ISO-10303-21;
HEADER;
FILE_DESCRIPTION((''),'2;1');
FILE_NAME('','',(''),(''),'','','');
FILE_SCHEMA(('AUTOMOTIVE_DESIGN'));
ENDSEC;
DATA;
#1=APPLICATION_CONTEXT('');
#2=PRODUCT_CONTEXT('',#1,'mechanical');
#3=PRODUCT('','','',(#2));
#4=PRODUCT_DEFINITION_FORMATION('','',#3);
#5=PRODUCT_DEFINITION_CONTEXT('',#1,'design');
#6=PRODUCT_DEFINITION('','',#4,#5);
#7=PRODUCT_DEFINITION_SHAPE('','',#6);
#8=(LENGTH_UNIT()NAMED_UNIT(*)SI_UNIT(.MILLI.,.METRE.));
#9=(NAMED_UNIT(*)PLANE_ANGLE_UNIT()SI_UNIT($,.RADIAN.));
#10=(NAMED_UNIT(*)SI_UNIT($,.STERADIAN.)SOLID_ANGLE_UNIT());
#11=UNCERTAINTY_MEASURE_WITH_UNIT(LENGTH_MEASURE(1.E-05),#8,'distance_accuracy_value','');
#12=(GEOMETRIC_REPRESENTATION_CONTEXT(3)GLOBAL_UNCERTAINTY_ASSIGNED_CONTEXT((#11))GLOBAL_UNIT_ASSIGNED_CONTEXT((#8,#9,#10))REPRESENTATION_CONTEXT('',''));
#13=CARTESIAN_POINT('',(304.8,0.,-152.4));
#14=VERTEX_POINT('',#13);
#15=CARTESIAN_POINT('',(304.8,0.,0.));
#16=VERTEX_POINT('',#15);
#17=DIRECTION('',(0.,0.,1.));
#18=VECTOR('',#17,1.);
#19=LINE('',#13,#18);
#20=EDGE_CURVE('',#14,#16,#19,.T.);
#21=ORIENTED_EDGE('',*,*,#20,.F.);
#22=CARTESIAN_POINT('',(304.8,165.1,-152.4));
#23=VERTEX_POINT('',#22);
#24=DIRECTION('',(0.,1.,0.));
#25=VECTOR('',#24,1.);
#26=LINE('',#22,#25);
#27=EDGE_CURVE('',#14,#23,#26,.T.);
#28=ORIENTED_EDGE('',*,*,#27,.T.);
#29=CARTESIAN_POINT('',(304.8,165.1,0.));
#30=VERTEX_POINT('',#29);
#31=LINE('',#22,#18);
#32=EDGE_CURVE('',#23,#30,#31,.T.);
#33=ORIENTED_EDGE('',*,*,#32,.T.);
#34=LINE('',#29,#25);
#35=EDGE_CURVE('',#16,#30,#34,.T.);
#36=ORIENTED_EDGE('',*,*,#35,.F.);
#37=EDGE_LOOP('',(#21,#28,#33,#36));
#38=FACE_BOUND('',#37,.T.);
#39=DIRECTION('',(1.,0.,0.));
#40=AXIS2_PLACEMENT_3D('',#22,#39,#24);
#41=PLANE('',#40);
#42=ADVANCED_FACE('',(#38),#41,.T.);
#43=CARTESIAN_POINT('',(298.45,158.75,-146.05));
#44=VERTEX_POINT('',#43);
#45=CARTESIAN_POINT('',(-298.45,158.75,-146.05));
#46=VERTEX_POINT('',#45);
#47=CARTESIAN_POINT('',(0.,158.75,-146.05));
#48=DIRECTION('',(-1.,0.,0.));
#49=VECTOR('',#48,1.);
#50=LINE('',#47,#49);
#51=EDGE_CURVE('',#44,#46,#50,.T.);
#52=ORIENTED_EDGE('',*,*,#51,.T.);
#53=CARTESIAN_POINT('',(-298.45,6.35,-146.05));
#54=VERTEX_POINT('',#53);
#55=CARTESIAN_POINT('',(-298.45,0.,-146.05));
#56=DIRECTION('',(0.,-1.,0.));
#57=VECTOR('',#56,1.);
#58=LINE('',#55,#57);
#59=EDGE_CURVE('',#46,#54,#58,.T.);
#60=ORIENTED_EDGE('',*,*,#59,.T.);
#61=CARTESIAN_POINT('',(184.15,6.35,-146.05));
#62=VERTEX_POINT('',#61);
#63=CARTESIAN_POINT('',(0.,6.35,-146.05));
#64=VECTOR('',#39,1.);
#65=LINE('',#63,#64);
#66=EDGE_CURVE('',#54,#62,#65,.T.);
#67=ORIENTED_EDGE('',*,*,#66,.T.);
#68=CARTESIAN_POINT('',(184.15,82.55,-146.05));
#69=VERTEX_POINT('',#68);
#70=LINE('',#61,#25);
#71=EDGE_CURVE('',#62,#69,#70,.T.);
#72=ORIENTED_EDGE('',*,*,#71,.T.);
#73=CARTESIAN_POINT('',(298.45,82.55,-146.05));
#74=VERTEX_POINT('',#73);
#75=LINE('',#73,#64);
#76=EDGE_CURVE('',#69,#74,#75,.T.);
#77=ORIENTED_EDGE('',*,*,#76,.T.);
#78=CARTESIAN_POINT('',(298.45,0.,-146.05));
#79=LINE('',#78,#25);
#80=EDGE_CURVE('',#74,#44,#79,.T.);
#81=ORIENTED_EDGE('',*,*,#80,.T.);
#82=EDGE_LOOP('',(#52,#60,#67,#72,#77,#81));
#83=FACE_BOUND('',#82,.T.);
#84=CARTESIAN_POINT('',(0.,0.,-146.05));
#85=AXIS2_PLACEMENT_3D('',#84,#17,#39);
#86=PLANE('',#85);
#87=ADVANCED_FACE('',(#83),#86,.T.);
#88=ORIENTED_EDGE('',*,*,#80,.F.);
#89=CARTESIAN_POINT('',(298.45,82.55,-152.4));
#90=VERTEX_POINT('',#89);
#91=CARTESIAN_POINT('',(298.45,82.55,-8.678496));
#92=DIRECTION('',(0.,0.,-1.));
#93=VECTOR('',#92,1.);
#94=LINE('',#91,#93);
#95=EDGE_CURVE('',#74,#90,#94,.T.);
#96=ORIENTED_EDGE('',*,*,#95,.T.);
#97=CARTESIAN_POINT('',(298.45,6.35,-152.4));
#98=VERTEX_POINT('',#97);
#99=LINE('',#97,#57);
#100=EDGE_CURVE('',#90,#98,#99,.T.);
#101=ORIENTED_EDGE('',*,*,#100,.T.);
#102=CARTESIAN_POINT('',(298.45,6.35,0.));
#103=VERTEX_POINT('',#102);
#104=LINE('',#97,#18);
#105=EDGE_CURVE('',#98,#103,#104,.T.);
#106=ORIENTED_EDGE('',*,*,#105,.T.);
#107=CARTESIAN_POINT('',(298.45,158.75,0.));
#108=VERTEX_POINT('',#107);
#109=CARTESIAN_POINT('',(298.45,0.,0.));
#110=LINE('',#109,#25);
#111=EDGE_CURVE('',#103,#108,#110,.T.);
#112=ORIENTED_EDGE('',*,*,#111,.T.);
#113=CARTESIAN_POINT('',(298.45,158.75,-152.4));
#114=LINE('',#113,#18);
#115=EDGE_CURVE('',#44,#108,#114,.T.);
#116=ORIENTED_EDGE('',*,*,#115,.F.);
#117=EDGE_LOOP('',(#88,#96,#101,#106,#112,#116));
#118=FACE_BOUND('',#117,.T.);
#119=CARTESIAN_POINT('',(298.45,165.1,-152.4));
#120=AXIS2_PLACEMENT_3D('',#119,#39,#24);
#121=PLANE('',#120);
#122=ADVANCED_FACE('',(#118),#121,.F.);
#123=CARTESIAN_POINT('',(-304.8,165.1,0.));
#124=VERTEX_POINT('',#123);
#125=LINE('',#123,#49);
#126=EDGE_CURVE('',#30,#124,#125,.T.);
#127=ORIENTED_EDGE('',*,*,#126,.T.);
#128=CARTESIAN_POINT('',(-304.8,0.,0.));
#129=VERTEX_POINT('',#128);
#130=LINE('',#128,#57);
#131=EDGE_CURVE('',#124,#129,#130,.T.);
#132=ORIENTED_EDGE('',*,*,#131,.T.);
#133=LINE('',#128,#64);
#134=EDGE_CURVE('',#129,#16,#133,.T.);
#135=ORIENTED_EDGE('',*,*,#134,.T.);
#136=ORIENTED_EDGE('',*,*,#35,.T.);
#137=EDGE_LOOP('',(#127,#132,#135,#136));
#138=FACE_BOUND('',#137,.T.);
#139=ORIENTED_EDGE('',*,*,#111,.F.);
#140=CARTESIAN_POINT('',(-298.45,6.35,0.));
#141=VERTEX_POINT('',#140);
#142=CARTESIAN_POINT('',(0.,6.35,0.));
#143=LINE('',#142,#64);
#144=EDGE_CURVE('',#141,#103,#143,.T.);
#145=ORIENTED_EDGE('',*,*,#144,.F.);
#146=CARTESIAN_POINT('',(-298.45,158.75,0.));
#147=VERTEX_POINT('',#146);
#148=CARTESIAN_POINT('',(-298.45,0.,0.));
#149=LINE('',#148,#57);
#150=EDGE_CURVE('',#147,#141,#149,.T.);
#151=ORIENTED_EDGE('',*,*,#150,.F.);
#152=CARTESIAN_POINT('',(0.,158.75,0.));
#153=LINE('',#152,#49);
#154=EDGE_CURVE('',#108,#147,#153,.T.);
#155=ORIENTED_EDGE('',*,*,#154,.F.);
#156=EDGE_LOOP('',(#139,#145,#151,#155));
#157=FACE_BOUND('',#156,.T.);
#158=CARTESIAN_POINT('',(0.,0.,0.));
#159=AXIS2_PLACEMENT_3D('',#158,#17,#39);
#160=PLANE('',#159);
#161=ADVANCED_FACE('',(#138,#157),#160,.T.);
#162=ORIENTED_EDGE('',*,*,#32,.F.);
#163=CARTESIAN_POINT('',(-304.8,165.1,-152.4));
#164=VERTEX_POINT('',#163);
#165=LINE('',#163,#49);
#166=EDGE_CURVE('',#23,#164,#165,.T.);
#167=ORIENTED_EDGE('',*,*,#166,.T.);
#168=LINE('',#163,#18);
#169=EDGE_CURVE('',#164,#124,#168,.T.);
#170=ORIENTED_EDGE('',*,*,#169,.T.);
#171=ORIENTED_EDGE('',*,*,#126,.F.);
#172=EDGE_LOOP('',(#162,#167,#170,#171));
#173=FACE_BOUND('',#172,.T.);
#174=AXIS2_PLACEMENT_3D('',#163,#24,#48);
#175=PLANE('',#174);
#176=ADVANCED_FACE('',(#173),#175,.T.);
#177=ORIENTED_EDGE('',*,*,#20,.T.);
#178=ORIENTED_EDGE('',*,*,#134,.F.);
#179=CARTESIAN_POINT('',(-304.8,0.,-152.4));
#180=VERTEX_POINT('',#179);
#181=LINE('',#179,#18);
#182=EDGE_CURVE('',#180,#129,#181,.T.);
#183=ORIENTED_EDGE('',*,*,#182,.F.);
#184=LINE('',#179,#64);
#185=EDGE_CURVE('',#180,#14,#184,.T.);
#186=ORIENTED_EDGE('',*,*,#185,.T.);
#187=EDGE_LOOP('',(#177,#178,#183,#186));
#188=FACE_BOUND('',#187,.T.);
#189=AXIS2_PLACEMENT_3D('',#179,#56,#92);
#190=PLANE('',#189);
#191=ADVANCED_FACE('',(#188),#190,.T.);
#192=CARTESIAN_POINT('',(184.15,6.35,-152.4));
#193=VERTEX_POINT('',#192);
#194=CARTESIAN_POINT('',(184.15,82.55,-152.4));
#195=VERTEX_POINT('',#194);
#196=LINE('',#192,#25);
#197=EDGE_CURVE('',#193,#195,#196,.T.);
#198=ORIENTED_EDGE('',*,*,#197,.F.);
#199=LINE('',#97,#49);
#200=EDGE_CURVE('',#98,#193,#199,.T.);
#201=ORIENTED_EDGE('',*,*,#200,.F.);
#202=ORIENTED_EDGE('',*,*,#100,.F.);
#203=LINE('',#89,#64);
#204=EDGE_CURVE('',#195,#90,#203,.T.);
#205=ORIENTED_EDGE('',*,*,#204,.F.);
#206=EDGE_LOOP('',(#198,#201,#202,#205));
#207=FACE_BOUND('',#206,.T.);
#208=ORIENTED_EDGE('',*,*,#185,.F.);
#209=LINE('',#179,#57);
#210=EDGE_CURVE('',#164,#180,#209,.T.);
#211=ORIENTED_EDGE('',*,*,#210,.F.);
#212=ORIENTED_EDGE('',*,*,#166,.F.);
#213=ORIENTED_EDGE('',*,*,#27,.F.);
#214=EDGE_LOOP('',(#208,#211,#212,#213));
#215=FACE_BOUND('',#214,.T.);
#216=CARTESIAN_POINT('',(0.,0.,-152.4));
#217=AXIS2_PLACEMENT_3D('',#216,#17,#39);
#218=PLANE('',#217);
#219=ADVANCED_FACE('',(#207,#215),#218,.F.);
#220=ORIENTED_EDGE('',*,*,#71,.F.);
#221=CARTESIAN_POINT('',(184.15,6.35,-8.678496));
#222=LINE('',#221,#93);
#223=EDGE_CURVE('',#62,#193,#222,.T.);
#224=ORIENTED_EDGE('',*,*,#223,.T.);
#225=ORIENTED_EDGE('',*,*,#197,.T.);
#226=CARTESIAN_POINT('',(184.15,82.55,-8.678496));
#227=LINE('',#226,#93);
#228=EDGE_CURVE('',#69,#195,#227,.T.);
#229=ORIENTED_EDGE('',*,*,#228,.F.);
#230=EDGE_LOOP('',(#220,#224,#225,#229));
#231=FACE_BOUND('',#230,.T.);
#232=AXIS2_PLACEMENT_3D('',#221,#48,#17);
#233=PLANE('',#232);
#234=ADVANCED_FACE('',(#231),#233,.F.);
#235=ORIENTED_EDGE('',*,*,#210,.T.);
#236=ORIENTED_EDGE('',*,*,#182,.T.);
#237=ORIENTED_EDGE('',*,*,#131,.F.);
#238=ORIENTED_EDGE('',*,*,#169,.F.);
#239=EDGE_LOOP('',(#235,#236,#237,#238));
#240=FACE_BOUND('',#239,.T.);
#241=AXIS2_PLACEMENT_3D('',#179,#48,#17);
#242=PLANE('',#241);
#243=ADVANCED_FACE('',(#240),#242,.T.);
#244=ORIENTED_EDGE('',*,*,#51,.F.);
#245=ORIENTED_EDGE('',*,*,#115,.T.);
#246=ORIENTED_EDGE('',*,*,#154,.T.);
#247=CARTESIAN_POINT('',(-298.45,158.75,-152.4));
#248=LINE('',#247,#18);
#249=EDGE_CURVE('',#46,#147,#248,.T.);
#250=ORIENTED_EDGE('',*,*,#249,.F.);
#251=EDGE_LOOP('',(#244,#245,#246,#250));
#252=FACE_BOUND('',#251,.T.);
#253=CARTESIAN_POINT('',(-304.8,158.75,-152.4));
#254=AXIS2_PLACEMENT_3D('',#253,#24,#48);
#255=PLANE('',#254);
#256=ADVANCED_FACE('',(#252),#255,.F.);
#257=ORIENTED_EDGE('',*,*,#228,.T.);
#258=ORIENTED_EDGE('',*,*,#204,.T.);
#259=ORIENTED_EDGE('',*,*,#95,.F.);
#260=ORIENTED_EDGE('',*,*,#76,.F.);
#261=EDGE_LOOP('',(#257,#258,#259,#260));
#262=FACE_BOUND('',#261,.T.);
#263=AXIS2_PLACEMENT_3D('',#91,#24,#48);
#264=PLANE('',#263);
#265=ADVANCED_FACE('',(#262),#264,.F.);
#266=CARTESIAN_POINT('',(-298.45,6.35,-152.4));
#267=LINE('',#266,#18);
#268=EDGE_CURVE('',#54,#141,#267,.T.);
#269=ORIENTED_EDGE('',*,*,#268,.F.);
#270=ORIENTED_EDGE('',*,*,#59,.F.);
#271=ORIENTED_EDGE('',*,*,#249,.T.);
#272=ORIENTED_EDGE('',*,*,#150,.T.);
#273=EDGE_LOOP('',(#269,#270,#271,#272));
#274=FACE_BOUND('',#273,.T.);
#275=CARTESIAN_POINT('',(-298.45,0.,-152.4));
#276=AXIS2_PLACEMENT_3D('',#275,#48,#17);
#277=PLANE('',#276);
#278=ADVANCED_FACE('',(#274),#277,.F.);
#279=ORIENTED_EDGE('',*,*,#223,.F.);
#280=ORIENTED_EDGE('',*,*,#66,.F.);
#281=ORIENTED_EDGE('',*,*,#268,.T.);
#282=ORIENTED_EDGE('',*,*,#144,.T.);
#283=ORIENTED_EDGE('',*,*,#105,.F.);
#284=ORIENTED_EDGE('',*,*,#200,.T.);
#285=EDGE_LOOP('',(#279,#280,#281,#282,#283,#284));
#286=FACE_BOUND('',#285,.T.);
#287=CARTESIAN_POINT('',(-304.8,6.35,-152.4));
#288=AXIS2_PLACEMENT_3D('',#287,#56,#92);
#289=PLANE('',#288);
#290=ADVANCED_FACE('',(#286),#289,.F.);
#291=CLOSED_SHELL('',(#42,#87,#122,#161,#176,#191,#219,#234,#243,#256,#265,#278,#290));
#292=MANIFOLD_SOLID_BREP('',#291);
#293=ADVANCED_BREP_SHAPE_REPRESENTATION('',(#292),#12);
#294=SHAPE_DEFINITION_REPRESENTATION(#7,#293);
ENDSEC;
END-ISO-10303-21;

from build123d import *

# Parameters (mm, degrees)
SKETCH1_W           = 609.6
SKETCH1_H           = 165.1
BOSS_EXTRUDE1_DEPTH = 152.4
SHELL1_T            = -6.35
SKETCH4_W           = 114.3
SKETCH4_H           = 76.2
CUT_EXTRUDE1_DEPTH  = 6.35


with BuildPart() as part:
    # Sketch1 → Boss-Extrude1 (new body)
    with BuildSketch(Plane.XY):
        with Locations((0, 82.55)):
            Rectangle(SKETCH1_W, SKETCH1_H)
    extrude(amount=-BOSS_EXTRUDE1_DEPTH)

    # Shell1
    shell1_openings = [part.faces().sort_by_distance(p)[0] for p in [
        (0, 82.55, 0),
    ]]
    offset(amount=SHELL1_T, openings=shell1_openings, kind=Kind.INTERSECTION)

    # Sketch4 → Cut-Extrude1 (cut)
    with BuildSketch(Plane(origin=(0, 0, -152.4), x_dir=(-1, 0, 0), z_dir=(0, 0, -1))):
        with Locations((-241.3, 44.45)):
            Rectangle(SKETCH4_W, SKETCH4_H)
    extrude(amount=-CUT_EXTRUDE1_DEPTH, mode=Mode.SUBTRACT)


solid = part.part
